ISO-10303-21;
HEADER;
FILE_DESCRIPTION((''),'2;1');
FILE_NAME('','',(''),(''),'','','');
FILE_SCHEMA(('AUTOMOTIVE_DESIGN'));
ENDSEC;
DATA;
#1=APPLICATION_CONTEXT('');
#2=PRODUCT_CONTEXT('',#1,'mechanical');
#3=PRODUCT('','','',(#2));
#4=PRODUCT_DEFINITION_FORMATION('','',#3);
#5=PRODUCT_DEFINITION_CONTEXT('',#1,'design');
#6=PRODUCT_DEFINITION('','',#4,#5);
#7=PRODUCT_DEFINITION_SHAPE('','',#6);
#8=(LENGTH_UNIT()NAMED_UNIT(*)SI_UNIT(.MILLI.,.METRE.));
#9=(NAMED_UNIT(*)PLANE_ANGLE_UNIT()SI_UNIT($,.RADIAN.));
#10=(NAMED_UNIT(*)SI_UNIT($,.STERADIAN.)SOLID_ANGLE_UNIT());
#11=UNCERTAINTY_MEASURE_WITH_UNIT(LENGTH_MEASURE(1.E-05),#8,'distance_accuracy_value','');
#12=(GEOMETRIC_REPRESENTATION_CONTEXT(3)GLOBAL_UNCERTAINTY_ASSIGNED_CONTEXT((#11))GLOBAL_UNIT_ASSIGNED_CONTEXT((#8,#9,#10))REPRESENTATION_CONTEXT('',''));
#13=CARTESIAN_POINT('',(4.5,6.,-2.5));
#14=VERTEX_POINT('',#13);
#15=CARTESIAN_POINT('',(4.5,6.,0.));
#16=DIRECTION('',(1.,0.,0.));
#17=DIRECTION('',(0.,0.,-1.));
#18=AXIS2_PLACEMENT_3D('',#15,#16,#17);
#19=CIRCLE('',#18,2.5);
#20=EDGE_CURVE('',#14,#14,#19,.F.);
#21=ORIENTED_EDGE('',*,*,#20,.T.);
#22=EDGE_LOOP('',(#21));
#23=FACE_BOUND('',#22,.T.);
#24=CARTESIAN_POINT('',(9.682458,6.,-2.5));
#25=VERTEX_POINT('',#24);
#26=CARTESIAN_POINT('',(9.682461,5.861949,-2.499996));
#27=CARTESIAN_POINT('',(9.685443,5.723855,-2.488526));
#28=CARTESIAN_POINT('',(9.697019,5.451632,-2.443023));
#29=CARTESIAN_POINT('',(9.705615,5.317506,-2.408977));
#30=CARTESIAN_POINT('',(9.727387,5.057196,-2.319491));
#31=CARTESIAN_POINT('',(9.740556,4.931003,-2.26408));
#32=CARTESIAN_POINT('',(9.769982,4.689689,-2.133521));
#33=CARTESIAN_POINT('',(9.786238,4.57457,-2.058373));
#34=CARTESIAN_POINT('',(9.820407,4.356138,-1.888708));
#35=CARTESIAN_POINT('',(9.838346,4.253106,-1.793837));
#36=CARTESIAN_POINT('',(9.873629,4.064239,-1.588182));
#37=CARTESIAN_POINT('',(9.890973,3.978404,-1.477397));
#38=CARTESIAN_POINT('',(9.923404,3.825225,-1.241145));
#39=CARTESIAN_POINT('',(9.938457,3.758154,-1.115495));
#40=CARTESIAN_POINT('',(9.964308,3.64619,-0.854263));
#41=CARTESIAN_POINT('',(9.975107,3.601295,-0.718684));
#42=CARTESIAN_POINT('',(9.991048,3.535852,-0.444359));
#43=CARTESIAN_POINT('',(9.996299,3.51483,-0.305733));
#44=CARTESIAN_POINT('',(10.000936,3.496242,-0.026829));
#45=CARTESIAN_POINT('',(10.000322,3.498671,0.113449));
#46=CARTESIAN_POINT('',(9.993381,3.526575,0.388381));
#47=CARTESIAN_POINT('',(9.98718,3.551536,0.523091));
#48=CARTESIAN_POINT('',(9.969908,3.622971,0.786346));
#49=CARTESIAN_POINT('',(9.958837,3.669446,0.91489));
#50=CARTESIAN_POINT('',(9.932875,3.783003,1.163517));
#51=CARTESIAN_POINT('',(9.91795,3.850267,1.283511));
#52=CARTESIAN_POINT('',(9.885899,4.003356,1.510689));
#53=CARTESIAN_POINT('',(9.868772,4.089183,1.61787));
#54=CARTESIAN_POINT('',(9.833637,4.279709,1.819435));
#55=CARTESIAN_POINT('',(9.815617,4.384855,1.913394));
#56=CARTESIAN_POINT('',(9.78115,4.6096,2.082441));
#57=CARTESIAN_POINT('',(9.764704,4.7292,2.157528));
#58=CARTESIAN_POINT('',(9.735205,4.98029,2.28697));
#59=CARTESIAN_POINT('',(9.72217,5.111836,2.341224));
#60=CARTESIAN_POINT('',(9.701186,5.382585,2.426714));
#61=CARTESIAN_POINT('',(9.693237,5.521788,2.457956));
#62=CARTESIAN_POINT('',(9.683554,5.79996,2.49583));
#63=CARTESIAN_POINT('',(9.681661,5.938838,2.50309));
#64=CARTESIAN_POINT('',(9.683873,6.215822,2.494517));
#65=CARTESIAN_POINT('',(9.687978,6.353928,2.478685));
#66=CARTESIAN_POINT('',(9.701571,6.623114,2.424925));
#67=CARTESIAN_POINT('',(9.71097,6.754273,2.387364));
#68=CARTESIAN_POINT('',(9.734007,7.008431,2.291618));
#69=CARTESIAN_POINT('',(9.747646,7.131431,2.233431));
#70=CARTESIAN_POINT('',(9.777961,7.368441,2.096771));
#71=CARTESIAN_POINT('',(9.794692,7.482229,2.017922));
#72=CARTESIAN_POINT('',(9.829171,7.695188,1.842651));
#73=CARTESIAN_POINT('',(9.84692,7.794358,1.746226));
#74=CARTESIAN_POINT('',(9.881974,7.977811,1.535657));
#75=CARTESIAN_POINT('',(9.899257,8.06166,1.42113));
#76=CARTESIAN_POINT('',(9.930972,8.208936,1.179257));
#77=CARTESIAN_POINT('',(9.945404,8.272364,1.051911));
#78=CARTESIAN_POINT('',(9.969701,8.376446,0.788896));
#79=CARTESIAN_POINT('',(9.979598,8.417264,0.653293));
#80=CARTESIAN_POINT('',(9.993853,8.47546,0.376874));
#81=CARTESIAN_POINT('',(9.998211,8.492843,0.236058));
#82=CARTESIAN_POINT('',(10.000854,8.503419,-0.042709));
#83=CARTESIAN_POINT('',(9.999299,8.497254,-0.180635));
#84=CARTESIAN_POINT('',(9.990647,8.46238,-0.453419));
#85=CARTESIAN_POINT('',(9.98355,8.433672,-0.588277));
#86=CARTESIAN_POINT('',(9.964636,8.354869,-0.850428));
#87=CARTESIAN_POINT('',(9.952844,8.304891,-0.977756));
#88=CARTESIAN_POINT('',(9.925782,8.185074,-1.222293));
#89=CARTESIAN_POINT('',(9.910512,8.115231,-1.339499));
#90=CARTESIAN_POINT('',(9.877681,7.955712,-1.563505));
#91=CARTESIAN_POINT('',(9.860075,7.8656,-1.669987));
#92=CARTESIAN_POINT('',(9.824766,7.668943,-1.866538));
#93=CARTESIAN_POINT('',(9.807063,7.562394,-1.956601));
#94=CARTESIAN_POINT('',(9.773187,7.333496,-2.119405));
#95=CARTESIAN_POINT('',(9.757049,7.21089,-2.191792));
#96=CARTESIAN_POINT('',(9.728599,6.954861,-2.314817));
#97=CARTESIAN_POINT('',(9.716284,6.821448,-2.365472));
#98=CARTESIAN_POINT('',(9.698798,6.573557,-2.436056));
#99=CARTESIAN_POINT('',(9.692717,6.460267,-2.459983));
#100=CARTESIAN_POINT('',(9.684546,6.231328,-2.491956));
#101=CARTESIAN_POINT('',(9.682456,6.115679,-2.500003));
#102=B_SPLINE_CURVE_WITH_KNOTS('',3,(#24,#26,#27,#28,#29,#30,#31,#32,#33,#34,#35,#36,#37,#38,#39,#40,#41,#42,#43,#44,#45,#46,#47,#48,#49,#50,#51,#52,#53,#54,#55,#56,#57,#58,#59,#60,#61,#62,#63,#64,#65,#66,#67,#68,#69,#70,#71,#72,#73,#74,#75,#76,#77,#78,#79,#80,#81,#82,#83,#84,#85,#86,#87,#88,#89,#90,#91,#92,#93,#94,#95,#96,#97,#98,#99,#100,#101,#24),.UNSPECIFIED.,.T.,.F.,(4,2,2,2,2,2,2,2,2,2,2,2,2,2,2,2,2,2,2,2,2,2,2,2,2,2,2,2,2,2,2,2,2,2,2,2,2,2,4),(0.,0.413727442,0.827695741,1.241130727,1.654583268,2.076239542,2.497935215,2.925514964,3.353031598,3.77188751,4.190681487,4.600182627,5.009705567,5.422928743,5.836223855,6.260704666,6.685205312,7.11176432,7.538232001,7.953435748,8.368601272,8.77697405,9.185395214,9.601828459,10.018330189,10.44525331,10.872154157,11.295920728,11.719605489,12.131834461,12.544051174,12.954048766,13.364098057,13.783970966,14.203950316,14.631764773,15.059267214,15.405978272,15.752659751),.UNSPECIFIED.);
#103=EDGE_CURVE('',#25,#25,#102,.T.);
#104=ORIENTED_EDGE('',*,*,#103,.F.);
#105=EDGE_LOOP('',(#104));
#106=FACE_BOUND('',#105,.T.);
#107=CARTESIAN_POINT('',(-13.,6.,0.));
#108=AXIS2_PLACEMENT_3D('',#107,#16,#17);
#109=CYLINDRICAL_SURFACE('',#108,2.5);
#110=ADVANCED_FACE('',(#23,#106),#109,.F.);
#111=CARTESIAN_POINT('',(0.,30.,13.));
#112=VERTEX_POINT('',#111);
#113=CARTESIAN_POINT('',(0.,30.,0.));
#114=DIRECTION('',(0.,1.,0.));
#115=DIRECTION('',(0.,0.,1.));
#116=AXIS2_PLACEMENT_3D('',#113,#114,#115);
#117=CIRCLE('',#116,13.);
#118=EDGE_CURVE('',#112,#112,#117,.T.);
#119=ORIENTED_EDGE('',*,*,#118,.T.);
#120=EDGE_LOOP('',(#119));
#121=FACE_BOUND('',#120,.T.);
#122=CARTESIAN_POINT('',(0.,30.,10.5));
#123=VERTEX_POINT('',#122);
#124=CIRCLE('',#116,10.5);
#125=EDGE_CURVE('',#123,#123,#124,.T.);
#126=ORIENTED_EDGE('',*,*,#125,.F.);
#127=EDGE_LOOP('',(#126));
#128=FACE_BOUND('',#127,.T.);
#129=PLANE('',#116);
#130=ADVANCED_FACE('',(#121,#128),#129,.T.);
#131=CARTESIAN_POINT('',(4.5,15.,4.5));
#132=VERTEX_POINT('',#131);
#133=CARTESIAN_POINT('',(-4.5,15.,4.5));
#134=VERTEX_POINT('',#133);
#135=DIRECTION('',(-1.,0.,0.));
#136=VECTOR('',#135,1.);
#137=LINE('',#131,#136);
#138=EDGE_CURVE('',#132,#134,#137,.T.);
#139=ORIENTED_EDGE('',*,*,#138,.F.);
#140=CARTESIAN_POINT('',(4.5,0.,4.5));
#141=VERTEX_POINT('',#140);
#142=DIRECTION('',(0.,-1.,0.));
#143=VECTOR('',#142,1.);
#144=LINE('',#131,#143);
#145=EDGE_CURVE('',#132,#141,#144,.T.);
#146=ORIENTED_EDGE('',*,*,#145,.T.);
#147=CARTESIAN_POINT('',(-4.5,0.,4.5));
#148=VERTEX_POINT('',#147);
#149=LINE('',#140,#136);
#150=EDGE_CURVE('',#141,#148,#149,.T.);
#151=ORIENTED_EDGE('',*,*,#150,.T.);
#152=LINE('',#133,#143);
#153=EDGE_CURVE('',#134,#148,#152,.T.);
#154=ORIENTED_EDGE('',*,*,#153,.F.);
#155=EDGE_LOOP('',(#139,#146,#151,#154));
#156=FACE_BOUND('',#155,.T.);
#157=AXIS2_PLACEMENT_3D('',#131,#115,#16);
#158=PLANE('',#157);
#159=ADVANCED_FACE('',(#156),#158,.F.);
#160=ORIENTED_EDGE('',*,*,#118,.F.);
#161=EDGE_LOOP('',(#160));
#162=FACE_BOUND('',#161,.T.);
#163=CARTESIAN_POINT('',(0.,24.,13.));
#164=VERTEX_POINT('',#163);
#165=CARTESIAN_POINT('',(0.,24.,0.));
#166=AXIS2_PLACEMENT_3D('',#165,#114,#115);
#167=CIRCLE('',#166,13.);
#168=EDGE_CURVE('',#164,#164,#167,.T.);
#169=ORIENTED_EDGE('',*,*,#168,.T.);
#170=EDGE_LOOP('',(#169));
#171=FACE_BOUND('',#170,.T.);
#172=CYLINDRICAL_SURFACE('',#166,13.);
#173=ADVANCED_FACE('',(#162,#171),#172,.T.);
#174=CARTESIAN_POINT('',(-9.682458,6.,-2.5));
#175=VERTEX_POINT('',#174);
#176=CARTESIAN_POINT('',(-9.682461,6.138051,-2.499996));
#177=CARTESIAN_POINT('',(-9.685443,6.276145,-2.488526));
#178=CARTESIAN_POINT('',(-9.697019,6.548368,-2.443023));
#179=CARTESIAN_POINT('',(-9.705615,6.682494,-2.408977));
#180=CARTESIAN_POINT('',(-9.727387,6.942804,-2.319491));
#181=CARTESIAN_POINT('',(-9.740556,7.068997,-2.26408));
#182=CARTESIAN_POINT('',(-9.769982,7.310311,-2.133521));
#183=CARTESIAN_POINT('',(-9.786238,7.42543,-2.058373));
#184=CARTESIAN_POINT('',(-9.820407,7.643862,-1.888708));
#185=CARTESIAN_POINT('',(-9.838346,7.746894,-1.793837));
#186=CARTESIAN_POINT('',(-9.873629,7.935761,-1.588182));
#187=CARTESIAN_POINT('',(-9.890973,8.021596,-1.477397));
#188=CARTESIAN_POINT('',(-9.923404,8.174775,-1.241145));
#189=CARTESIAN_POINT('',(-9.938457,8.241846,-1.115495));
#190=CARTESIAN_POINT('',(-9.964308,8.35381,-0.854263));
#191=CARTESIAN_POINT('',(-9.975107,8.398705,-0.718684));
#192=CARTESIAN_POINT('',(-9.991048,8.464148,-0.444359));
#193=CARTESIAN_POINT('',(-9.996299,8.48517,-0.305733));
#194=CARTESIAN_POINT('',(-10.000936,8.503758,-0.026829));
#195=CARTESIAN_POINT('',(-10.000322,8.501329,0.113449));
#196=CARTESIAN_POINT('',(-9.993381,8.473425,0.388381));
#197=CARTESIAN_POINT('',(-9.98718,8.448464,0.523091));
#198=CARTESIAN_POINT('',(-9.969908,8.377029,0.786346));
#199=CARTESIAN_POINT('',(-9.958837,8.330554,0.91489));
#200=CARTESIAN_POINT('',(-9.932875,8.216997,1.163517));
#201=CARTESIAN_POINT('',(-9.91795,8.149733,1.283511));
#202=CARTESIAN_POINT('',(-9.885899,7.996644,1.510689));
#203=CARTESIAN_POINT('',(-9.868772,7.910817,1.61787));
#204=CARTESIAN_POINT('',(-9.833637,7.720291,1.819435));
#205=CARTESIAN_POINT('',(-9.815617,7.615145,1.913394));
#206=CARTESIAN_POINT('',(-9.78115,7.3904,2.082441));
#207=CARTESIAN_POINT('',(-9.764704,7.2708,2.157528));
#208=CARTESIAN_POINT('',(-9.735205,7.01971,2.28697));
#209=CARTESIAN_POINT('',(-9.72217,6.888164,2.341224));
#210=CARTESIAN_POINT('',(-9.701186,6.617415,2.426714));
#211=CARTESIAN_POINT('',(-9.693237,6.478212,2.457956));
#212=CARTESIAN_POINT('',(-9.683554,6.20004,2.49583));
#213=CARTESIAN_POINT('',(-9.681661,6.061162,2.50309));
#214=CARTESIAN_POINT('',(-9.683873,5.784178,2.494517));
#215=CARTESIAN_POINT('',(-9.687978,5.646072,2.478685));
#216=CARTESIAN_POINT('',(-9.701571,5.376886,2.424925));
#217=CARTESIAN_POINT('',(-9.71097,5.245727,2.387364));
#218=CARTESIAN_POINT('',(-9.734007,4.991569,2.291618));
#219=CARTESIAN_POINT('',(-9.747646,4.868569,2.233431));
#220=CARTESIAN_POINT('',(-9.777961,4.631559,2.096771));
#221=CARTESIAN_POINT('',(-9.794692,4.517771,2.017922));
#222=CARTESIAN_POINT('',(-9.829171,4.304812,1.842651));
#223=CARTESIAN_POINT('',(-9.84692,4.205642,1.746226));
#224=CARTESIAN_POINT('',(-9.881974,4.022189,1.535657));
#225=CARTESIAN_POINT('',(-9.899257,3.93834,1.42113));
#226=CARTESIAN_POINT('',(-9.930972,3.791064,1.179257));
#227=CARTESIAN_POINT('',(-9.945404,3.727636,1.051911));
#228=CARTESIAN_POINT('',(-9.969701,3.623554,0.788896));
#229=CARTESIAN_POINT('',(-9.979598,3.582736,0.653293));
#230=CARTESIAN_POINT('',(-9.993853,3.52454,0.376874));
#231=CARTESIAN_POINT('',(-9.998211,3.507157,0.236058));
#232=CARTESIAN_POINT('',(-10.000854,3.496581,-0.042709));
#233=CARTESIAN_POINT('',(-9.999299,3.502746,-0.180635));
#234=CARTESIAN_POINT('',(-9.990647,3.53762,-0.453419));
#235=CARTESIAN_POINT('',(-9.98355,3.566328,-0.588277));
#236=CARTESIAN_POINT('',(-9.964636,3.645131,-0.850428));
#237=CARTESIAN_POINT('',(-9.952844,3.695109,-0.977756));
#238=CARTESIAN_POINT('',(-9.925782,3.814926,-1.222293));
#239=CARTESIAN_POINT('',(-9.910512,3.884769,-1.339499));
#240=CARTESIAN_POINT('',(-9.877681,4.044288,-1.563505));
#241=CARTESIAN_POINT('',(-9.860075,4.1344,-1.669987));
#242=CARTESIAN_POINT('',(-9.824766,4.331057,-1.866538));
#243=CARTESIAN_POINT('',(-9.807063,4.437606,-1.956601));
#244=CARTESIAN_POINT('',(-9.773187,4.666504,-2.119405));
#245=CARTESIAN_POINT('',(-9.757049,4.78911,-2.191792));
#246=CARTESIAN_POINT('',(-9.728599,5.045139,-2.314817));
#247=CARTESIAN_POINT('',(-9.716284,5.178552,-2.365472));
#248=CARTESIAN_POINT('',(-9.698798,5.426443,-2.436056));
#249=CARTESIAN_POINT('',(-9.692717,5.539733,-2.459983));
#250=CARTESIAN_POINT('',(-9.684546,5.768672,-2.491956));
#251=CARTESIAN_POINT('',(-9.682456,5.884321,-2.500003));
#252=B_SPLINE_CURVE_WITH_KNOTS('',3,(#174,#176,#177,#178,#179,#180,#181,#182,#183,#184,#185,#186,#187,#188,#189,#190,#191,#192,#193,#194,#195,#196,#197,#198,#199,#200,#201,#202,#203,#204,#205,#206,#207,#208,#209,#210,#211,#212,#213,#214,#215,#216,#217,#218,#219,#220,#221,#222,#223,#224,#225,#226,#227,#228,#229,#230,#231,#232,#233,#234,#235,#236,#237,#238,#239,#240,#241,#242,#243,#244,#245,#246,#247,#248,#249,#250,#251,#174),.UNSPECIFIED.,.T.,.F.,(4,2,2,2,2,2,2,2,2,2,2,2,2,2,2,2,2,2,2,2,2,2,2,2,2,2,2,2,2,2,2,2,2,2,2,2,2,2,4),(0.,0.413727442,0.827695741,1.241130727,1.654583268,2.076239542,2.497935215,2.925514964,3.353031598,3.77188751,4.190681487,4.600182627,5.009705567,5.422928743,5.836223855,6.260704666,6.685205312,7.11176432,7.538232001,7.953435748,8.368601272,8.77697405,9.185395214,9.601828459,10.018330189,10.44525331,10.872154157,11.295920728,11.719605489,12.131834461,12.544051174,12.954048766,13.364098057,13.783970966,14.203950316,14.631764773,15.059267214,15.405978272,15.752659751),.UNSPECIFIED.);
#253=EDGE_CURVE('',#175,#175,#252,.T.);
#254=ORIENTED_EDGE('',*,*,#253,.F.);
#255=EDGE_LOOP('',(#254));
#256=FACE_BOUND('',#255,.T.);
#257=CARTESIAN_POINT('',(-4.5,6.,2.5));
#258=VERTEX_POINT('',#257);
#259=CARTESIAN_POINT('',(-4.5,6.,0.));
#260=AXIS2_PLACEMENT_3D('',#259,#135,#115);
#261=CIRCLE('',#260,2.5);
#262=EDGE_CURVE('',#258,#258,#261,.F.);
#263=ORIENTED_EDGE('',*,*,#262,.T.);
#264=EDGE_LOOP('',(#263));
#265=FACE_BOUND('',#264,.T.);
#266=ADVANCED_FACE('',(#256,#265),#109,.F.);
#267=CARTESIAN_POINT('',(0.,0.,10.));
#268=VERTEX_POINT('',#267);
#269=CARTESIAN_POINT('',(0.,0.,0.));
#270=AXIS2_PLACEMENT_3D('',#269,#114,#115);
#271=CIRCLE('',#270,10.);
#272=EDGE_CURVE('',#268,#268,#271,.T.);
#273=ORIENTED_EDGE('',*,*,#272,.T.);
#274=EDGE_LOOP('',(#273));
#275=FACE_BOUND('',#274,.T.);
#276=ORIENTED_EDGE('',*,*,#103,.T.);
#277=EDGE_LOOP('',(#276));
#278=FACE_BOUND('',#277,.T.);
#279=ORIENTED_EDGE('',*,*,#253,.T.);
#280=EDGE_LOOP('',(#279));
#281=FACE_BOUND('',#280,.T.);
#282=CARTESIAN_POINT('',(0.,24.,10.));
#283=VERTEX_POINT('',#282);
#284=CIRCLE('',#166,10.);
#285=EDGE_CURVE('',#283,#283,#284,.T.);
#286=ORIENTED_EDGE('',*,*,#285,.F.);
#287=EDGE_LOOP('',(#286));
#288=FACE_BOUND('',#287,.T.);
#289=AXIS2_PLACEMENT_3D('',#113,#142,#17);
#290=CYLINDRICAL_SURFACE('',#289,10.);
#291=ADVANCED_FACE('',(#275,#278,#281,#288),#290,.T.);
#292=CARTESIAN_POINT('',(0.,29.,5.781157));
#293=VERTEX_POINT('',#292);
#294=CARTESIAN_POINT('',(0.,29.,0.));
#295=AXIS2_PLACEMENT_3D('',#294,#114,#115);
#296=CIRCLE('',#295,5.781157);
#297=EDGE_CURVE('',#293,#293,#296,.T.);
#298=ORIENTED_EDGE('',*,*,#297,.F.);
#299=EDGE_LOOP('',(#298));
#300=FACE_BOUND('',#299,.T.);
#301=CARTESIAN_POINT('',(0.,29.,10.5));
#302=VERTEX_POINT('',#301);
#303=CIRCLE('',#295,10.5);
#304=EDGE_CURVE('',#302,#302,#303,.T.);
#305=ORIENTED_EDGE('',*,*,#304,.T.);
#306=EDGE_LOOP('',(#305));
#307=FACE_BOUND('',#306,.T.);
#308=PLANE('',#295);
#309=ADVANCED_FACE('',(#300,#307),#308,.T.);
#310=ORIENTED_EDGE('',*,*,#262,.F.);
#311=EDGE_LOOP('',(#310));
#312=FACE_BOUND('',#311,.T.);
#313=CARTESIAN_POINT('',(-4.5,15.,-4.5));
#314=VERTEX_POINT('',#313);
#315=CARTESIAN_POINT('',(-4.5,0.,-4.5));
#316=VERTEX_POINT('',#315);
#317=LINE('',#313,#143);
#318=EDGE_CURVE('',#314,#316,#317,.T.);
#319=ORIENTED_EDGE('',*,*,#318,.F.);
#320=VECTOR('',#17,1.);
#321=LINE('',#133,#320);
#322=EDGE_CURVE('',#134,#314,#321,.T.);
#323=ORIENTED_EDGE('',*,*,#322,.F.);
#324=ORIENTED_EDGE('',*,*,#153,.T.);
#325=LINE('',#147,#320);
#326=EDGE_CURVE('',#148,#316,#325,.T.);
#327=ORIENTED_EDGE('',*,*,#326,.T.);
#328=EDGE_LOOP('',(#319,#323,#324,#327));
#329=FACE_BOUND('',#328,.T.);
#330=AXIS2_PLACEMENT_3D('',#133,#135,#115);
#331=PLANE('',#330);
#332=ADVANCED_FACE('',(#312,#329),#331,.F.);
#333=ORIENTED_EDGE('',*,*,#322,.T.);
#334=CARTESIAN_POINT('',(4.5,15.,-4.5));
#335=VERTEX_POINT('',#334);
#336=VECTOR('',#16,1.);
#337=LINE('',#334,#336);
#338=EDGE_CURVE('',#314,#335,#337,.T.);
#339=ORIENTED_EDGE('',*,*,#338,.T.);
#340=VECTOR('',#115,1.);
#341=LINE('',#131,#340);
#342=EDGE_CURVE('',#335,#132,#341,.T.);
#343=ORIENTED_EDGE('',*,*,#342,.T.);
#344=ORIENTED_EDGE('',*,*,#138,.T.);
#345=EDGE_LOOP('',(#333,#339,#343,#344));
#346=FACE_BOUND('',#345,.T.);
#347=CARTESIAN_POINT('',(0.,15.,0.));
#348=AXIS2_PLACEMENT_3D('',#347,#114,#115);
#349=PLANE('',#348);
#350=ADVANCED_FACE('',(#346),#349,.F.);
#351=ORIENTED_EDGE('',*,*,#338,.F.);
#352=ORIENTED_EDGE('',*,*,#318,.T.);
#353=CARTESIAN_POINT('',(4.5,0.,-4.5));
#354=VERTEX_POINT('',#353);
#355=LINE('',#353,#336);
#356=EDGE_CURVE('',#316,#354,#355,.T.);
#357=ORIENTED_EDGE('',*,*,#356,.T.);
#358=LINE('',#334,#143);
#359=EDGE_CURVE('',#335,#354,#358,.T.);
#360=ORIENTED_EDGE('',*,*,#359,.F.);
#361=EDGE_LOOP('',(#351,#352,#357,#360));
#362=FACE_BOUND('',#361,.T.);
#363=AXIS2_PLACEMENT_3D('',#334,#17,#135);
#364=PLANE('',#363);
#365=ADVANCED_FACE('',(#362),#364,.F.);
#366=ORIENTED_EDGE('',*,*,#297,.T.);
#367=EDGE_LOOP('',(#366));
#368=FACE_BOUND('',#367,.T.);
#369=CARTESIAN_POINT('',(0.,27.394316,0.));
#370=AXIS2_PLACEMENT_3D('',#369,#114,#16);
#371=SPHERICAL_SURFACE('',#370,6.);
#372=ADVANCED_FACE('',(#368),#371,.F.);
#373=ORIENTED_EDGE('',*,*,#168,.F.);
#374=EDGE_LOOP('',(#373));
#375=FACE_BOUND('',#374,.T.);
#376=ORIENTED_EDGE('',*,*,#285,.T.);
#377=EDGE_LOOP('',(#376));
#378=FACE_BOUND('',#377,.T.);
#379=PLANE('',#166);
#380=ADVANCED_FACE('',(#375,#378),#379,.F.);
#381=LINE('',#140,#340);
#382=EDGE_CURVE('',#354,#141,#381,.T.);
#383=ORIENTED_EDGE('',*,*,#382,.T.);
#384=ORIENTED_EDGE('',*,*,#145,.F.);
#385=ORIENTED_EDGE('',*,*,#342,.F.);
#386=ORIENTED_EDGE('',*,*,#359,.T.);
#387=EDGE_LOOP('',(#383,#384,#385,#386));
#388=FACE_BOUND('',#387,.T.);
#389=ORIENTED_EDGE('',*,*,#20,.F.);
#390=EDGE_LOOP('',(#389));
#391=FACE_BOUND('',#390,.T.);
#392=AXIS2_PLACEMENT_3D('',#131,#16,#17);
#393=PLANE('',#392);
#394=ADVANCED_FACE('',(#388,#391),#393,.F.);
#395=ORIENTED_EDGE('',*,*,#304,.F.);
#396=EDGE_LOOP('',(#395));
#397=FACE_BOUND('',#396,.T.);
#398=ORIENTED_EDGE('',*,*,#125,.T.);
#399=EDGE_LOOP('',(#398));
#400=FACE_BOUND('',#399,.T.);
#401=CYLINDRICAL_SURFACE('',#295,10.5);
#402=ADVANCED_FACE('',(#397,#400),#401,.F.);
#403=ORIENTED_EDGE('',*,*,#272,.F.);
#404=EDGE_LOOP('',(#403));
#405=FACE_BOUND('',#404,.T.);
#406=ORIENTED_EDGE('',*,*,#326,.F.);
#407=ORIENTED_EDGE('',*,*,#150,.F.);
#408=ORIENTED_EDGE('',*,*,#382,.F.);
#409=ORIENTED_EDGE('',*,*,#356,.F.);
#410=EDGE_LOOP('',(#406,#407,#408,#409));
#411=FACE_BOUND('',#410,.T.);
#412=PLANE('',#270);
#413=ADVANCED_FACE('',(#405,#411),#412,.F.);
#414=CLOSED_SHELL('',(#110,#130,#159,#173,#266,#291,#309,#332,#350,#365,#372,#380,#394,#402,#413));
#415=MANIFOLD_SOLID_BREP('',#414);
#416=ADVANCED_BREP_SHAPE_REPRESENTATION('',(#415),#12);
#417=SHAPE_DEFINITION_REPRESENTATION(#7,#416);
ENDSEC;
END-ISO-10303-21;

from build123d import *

# Parameters (mm, degrees)
SKETCH_1_R               = 10
EXTRUDE_1_DEPTH          = 30
SKETCH_2_R               = 13
EXTRUDE_2_DEPTH          = 6
CUT_EXTRUDE_1_DEPTH      = 36.185224172
CUT_EXTRUDE_1_DEPTH_BACK = 36.185224172
SKETCH_3_R               = 2.5
SKETCH_4_W               = 9
SKETCH_4_H               = 9
CUT_EXTRUDE_2_DEPTH      = 15
SKETCH_6_R               = 10.5
CUT_EXTRUDE_3_DEPTH      = 1


with BuildPart() as part:
    # 草图1 → 凸台-拉伸1 (new body)
    with BuildSketch(Plane(origin=(0, 0, 0), x_dir=(1, 0, 0), z_dir=(0, 1, 0))):
        with Locations(Location((0, 0, 0), (0, 0, 270))):
            Circle(SKETCH_1_R)
    extrude(amount=EXTRUDE_1_DEPTH)

    # 草图2 → 凸台-拉伸2 (add)
    with BuildSketch(Plane(origin=(0, 30, 0), x_dir=(1, 0, 0), z_dir=(0, 1, 0))):
        with Locations(Location((0, 0, 0), (0, 0, 270))):
            Circle(SKETCH_2_R)
    extrude(amount=-EXTRUDE_2_DEPTH)

    # 草图3 → 切除-拉伸1 (cut, two sides: drawn at the far end of the back side and taken through both)
    with BuildSketch(Plane(origin=(0, 0, 0), x_dir=(0, 0, -1), z_dir=(1, 0, 0)).offset(-CUT_EXTRUDE_1_DEPTH_BACK)):
        with Locations((0, 6)):
            Circle(SKETCH_3_R)
    extrude(amount=CUT_EXTRUDE_1_DEPTH + CUT_EXTRUDE_1_DEPTH_BACK, mode=Mode.SUBTRACT)

    # 草图4 → 切除-拉伸2 (cut)
    with BuildSketch(Plane(origin=(0, 0, 0), x_dir=(-1, 0, 0), z_dir=(0, -1, 0))):
        Rectangle(SKETCH_4_W, SKETCH_4_H)
    extrude(amount=-CUT_EXTRUDE_2_DEPTH, mode=Mode.SUBTRACT)

    # 草图5 → 切除-旋转1 (revolve, cut)
    with BuildSketch(Plane.XY):
        with BuildLine():
            Line((0, 33.394315723), (0, 21.394315723))
            ThreePointArc((0, 21.394315723), (6, 27.394315723), (0, 33.394315723))
        make_face()
    revolve(axis=Axis((0, 37.883813042, 0), (0, -1, 0)), mode=Mode.SUBTRACT)

    # 草图6 → 切除-拉伸3 (cut)
    with BuildSketch(Plane(origin=(0, 30, 0), x_dir=(1, 0, 0), z_dir=(0, 1, 0))):
        with Locations(Location((0, 0, 0), (0, 0, 270))):
            Circle(SKETCH_6_R)
    extrude(amount=-CUT_EXTRUDE_3_DEPTH, mode=Mode.SUBTRACT)


solid = part.part
